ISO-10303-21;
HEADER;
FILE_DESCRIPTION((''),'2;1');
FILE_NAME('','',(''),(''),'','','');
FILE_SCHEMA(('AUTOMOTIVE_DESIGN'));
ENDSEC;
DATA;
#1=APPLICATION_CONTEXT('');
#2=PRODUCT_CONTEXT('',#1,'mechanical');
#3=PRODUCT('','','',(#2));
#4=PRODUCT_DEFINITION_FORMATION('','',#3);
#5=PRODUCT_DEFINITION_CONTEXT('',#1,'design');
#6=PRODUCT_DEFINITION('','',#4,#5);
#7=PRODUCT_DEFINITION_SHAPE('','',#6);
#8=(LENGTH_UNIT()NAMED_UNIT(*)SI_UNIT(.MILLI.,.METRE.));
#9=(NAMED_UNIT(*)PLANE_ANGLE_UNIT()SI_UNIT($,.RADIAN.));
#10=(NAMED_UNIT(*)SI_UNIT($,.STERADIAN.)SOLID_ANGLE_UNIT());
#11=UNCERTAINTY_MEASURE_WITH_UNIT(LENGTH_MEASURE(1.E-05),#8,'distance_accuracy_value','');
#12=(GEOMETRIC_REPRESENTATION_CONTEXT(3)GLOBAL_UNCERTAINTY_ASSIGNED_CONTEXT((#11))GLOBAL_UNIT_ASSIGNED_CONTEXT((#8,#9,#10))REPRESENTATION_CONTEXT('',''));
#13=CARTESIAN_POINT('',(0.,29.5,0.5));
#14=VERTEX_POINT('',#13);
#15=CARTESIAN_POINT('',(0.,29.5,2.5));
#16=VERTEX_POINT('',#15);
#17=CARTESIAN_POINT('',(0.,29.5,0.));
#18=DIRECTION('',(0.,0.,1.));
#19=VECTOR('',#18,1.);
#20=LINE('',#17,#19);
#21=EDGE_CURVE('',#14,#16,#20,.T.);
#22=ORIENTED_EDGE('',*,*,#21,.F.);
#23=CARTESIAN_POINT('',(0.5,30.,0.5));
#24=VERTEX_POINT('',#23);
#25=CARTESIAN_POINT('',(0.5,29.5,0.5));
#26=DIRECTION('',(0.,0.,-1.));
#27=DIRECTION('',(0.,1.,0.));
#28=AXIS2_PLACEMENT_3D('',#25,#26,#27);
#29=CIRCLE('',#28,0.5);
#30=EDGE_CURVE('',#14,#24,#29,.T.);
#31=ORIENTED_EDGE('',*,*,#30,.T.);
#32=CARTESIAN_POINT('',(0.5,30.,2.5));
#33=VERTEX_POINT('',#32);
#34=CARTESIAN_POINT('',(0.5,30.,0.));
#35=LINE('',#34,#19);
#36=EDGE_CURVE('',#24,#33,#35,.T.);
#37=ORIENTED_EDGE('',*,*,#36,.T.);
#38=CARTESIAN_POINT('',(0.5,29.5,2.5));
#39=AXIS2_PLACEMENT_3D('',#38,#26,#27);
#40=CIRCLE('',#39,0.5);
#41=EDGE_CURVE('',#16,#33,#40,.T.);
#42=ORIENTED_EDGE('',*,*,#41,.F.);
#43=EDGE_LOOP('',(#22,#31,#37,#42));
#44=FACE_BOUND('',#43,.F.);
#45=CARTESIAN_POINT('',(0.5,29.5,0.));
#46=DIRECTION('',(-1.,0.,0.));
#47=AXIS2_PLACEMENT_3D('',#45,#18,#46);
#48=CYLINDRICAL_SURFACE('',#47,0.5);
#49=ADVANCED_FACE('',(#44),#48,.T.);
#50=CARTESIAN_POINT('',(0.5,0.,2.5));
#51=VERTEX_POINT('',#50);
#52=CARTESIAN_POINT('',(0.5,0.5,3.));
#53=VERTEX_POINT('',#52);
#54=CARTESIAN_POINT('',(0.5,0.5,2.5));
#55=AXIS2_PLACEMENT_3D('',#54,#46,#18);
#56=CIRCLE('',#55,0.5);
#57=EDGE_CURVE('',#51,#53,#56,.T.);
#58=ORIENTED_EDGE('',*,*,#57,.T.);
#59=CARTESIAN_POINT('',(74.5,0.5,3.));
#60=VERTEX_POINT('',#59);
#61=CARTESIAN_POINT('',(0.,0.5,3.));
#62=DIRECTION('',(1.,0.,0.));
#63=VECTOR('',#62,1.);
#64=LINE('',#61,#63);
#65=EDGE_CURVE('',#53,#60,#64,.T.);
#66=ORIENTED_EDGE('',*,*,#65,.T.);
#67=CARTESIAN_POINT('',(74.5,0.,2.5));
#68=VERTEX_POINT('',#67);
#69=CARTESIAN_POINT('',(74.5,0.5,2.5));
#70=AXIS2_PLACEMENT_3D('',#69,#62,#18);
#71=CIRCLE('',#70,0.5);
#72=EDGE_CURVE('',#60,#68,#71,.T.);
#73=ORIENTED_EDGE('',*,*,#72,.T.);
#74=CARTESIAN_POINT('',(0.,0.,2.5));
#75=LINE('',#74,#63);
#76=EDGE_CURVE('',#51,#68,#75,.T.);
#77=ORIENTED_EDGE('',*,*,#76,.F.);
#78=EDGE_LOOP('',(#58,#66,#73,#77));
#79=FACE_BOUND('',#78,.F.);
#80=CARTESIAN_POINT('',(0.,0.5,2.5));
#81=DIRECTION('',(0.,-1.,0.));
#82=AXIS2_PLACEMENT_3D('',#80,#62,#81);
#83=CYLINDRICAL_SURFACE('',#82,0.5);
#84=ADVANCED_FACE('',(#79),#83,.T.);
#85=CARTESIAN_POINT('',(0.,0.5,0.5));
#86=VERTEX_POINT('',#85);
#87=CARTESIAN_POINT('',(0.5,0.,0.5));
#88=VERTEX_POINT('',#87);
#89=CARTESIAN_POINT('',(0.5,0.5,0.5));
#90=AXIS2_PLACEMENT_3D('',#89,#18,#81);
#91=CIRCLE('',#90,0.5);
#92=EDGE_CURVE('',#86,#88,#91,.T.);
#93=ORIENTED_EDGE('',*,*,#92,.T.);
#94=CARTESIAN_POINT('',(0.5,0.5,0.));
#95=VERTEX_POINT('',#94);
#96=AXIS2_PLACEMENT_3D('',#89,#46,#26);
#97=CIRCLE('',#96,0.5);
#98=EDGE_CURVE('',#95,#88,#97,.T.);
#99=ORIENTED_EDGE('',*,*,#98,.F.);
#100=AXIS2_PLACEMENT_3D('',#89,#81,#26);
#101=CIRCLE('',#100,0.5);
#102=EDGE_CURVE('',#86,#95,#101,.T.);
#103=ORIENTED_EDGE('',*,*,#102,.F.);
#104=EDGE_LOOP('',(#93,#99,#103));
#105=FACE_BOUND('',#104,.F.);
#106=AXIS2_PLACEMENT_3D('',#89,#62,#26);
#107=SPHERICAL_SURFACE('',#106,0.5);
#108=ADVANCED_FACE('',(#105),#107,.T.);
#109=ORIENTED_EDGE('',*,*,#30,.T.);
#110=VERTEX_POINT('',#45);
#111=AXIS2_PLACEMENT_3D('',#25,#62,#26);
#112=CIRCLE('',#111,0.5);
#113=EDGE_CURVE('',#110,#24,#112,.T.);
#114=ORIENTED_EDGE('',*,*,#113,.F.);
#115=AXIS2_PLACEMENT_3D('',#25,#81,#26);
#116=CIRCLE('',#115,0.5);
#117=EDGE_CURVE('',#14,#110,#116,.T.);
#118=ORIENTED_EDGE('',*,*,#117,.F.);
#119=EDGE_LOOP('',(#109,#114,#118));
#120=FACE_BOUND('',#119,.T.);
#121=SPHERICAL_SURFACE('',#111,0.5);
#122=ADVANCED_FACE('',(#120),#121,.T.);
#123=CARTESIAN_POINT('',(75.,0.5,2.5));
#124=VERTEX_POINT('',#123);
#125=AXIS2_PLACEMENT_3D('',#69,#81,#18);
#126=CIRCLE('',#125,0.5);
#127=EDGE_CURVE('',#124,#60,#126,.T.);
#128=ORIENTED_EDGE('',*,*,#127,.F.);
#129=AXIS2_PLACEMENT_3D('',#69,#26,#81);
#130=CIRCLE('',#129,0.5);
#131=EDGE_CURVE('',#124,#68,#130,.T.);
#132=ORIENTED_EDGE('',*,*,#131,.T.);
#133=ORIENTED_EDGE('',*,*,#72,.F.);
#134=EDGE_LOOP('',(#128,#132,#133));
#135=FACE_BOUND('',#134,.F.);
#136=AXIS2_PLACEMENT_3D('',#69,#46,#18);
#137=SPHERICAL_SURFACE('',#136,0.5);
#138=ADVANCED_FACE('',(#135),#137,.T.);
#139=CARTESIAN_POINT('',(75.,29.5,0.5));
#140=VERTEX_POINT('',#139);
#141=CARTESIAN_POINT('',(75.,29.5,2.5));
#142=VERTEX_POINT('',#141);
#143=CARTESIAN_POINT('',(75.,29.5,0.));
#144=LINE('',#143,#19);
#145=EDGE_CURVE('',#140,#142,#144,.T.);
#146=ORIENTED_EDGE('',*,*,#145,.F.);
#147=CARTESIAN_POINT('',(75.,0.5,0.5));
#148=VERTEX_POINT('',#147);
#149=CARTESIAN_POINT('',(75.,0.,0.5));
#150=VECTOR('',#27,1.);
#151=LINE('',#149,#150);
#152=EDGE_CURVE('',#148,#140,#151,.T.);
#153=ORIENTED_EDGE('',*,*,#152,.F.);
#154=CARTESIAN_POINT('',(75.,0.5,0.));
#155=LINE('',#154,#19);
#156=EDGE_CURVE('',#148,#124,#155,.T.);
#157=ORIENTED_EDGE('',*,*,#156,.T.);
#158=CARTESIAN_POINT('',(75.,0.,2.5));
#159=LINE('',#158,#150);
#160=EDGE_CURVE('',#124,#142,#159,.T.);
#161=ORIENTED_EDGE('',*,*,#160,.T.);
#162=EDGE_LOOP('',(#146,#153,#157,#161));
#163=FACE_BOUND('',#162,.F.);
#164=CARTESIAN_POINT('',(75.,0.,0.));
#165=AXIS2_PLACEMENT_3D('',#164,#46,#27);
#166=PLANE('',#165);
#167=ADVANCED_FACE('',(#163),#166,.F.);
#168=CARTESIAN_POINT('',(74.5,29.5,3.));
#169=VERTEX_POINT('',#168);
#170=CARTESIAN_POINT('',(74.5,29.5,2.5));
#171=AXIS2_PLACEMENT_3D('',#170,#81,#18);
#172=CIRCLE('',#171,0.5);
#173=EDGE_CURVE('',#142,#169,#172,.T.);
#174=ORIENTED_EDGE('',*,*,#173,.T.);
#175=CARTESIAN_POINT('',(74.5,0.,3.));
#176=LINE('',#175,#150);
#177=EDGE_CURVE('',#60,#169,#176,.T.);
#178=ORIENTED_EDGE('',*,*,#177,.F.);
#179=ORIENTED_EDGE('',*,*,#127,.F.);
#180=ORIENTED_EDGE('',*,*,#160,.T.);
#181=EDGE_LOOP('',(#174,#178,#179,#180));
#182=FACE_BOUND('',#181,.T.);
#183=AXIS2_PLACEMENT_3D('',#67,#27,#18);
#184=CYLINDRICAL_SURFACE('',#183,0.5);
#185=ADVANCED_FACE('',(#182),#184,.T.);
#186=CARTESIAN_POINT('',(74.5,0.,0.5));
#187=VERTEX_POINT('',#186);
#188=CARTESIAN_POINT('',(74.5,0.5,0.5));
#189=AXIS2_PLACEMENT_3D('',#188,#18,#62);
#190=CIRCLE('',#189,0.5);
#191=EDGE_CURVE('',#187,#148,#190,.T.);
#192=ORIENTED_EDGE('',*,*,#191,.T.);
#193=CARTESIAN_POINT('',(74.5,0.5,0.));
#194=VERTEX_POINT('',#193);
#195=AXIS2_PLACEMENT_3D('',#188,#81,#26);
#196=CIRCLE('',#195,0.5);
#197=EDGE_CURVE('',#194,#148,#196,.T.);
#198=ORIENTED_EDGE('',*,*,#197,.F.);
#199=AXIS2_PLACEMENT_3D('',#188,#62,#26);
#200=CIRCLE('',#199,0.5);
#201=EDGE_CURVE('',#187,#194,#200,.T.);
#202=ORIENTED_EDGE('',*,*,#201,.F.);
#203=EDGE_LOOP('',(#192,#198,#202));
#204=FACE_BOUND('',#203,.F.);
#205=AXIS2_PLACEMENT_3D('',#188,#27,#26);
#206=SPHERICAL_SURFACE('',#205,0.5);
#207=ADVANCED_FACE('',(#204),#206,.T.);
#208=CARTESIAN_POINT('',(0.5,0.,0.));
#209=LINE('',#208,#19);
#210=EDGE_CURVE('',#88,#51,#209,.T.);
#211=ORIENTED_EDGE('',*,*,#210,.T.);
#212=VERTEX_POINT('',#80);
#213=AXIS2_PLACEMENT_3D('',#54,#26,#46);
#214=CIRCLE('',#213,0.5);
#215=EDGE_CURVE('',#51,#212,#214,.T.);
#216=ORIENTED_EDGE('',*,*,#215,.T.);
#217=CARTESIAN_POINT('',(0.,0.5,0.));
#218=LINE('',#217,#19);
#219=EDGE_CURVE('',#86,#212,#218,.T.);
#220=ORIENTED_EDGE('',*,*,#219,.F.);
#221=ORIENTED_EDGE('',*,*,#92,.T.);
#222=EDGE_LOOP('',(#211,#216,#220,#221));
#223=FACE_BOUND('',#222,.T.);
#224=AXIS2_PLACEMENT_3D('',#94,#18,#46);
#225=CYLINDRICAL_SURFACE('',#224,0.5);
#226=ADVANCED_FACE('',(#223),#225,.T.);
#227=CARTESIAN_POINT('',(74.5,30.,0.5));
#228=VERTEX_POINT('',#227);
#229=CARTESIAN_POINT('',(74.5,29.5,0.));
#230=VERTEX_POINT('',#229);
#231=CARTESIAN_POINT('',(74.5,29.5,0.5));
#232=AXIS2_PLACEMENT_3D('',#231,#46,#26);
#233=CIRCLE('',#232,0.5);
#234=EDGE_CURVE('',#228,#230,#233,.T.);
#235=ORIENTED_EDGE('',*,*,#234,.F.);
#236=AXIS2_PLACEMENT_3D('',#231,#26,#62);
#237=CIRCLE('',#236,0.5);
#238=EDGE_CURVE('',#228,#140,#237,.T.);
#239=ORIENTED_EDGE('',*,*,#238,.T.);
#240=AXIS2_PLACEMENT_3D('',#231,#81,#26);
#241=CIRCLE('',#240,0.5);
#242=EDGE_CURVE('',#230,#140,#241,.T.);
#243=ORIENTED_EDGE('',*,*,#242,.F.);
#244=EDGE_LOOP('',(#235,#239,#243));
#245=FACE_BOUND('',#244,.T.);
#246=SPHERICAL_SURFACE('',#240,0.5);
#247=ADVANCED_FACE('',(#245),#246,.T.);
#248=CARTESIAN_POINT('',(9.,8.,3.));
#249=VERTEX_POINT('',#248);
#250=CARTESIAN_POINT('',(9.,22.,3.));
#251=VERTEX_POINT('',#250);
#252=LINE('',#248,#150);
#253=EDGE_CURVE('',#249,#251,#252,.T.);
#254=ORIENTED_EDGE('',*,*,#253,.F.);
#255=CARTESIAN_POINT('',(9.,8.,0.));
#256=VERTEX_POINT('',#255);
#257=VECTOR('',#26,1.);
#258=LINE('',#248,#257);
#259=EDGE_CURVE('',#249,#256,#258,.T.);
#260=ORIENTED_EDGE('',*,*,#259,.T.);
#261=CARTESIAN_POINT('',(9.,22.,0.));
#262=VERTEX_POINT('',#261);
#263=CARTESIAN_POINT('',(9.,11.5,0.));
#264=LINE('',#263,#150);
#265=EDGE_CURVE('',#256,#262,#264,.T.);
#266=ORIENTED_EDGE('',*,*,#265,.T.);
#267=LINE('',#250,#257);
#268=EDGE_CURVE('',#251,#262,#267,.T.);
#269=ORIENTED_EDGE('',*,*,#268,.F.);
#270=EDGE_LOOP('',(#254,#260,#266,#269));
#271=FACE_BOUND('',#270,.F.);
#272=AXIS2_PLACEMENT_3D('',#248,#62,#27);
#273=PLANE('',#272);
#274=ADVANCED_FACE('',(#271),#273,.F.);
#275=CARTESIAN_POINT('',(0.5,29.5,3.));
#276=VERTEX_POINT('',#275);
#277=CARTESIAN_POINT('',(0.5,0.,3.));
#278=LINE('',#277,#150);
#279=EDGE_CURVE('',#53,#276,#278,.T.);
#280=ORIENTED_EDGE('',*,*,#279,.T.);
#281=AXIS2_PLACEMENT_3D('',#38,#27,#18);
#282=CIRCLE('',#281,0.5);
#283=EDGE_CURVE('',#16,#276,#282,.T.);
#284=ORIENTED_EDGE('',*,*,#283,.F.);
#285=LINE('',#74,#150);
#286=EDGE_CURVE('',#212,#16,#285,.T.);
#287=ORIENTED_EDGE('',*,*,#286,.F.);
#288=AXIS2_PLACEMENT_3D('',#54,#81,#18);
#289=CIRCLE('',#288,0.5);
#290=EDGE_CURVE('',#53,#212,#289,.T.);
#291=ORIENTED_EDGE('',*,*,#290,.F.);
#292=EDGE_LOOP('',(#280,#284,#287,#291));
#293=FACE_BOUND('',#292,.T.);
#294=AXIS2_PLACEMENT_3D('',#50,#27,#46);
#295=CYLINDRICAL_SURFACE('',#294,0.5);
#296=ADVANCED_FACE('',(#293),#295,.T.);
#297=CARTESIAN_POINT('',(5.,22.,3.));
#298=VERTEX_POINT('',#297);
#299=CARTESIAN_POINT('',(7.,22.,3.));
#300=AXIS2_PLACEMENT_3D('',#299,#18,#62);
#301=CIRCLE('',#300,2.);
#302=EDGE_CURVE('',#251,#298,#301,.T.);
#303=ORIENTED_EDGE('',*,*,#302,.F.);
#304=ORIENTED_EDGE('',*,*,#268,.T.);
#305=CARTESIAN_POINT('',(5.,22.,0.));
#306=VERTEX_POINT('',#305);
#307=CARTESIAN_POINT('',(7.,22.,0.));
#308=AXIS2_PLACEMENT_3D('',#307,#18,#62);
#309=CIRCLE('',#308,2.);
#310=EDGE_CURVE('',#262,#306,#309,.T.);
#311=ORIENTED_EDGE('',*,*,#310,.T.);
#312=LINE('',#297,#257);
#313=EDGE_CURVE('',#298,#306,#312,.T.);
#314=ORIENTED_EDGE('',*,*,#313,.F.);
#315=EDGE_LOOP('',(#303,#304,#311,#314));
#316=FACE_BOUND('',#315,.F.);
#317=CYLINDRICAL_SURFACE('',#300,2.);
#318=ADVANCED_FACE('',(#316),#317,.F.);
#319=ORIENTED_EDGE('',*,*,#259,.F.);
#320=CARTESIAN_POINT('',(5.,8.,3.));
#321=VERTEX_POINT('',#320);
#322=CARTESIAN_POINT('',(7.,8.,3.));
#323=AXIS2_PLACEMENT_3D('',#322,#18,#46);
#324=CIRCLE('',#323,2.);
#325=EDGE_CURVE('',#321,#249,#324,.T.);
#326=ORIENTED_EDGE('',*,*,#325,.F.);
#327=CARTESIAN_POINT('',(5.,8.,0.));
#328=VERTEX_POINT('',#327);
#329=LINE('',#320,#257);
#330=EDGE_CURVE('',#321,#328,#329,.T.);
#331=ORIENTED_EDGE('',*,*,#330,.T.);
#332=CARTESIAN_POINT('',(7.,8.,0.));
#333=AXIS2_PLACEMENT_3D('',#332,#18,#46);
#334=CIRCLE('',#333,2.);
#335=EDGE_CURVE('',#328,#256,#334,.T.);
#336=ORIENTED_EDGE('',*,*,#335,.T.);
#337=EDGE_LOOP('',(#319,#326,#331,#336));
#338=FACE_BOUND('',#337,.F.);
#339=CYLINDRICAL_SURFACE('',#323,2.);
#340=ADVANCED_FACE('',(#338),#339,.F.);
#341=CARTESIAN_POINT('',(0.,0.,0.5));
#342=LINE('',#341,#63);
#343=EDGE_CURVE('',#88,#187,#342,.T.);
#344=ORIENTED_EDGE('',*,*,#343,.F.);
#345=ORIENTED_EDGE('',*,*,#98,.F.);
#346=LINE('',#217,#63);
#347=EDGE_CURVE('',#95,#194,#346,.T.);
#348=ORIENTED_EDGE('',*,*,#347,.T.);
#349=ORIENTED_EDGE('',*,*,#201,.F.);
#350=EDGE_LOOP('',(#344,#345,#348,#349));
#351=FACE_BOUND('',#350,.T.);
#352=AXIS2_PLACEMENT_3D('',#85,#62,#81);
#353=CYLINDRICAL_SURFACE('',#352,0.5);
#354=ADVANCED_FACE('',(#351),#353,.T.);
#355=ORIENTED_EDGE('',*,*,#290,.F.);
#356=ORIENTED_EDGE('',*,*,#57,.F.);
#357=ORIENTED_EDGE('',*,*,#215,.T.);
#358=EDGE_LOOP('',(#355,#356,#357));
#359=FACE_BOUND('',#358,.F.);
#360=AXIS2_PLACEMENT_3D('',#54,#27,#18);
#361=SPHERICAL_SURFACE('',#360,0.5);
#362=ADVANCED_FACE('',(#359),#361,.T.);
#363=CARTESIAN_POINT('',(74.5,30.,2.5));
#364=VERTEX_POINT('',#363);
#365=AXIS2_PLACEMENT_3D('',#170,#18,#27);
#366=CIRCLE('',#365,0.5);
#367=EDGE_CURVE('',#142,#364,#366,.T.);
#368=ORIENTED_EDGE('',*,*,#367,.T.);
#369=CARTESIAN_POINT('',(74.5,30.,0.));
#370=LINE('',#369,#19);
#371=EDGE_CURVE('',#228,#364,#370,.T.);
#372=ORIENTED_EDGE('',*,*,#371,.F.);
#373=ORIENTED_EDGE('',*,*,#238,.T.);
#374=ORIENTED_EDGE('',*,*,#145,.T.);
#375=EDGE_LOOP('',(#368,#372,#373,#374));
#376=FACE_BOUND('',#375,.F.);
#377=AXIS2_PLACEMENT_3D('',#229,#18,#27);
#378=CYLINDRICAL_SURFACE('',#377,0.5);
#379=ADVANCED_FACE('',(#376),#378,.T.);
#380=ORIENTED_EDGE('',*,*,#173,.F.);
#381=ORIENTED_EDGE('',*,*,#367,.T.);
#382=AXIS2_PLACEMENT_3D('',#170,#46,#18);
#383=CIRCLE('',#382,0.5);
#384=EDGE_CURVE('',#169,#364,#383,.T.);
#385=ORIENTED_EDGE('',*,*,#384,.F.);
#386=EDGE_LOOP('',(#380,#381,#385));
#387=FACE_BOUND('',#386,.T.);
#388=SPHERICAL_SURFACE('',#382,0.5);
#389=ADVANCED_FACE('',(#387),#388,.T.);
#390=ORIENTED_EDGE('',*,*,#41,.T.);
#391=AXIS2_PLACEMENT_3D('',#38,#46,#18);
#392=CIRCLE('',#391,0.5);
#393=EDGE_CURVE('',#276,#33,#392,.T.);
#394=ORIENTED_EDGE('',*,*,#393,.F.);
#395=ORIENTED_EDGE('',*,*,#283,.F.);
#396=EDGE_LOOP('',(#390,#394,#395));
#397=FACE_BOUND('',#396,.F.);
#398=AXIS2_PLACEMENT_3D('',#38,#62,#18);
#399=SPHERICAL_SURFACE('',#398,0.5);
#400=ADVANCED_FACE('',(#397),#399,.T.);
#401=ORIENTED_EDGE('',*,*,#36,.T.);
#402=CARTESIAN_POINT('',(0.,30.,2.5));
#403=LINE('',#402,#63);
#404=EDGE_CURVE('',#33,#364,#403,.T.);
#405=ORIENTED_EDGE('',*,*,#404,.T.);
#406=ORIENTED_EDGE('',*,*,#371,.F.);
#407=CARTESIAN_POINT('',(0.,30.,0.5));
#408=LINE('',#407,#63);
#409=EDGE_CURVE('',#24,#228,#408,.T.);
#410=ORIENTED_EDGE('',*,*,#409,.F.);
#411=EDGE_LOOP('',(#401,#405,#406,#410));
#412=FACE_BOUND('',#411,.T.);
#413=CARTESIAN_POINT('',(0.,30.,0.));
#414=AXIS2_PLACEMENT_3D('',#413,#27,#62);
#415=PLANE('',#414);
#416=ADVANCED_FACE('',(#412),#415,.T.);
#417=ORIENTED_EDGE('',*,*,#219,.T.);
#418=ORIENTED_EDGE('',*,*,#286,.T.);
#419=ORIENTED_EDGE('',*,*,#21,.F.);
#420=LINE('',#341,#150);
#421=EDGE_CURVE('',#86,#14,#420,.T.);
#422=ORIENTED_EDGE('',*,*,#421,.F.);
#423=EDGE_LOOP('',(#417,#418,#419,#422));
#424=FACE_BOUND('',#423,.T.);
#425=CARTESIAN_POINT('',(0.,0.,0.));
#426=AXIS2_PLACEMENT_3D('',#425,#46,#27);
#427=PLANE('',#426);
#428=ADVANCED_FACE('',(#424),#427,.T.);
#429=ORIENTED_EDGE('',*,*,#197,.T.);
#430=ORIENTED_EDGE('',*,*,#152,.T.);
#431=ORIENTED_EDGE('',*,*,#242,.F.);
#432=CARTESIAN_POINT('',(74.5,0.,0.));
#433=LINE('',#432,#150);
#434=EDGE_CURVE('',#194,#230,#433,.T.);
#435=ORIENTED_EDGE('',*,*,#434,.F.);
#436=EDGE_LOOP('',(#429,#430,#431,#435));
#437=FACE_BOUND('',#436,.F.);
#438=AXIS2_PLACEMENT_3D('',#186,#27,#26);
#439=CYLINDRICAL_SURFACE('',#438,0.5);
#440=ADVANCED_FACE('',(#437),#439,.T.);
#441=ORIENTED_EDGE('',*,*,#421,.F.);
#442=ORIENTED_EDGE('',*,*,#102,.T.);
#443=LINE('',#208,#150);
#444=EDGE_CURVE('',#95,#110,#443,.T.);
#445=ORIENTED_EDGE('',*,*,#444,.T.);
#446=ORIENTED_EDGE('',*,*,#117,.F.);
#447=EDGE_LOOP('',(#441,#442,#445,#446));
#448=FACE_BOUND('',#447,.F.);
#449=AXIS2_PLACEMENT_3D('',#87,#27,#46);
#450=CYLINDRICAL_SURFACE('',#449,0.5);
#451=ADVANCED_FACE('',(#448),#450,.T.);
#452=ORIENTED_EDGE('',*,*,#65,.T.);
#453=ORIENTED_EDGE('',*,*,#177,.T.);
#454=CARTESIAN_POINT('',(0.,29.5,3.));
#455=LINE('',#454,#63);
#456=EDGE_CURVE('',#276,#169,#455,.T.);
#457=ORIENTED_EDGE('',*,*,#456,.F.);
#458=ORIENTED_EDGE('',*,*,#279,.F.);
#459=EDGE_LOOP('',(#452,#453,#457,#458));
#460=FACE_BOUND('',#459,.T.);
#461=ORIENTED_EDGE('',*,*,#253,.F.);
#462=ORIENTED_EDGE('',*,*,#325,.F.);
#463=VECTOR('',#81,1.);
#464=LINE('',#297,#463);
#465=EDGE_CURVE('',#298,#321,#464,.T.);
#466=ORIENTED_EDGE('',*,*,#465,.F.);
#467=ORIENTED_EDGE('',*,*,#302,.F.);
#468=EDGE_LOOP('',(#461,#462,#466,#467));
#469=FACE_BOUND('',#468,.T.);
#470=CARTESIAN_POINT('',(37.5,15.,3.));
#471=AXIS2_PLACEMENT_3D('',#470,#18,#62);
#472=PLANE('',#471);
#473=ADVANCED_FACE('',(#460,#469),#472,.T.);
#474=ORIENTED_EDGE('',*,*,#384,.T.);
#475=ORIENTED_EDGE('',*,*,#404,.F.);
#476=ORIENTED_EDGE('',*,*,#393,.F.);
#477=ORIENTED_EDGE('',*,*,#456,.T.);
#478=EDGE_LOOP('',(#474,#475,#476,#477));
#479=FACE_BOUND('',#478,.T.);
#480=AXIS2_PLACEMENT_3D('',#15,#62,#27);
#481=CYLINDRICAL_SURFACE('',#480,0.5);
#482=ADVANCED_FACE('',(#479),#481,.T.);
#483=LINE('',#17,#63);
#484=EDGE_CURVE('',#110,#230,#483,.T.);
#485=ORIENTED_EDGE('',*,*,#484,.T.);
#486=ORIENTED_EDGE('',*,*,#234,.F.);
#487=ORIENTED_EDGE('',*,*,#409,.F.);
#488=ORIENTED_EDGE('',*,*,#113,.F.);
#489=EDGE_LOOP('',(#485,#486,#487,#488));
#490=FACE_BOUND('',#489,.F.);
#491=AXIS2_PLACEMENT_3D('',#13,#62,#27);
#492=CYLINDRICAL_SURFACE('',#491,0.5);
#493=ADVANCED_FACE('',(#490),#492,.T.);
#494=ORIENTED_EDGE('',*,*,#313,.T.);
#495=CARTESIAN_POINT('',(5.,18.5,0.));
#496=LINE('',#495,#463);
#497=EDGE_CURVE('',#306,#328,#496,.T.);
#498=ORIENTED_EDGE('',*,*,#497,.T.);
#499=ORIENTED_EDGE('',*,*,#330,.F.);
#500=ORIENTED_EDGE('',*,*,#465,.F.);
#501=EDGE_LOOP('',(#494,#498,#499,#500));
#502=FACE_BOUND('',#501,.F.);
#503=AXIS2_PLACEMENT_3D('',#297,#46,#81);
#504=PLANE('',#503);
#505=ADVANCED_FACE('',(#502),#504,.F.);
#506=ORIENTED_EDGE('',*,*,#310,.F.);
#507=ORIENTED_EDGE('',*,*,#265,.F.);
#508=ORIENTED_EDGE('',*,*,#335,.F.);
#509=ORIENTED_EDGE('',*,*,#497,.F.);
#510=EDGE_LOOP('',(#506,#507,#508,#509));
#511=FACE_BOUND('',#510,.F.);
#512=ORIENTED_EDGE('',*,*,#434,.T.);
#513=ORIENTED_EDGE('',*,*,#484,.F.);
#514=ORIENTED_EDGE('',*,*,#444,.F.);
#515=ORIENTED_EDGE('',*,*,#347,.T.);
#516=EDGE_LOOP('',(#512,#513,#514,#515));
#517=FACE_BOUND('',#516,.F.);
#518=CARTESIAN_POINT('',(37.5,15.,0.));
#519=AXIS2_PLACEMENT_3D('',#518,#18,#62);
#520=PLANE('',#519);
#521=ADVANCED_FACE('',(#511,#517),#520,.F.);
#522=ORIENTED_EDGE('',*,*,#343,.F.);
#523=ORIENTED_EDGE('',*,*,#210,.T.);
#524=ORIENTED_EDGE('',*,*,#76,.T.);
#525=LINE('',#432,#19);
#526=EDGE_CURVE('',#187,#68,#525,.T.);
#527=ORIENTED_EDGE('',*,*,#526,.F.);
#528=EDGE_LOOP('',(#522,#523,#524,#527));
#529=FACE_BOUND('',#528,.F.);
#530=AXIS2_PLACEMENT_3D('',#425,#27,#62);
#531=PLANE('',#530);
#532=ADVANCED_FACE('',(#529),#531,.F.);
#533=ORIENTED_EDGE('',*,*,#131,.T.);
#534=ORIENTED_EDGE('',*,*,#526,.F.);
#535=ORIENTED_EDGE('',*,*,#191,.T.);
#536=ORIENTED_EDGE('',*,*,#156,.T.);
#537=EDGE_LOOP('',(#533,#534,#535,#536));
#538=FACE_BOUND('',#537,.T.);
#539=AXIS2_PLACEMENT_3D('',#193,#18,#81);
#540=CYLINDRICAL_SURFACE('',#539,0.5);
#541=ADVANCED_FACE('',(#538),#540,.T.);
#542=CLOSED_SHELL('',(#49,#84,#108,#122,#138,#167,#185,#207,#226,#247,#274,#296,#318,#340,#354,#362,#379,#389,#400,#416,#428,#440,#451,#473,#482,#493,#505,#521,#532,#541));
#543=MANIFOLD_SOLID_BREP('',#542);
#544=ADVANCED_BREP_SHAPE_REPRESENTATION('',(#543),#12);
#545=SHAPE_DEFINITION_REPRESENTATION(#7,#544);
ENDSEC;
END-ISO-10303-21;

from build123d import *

# Parameters (mm, degrees)
F0_W     = 75
F0_H     = 30
F1_DEPTH = 3
F2_W     = 4
F2_H     = 7
F3_DEPTH = 25
F4_R     = 0.5


with BuildPart() as f1:
    # F0 (on Top) → F1 (new body)
    with BuildSketch(Plane.XY):
        with Locations((37.5, 15)):
            Rectangle(F0_W, F0_H)
    extrude(amount=F1_DEPTH)

    # F2 (on face) → F3 (cut)
    with BuildSketch(Plane.XY.offset(3)):
        with BuildLine():
            Line((5, 22), (5, 15))
            Line((5, 15), (9, 15))
            Line((9, 15), (9, 22))
            ThreePointArc((9, 22), (7, 24), (5, 22))
        make_face()
        with Locations((7, 11.5)):
            Rectangle(F2_W, F2_H)
        with BuildLine():
            Line((9, 8), (5, 8))
            ThreePointArc((5, 8), (7, 6), (9, 8))
        make_face()
    extrude(amount=-F3_DEPTH, mode=Mode.SUBTRACT)

    # F4
    f4_edges = [f1.edges().sort_by_distance(p)[0] for p in [
        (37.5, 30, 3),
        (0, 15, 3),
        (37.5, 0, 3),
        (75, 15, 3),
        (75, 15, 0),
        (37.5, 0, 0),
        (37.5, 30, 0),
        (0, 15, 0),
        (75, 0, 1.5),
        (75, 30, 1.5),
        (0, 30, 1.5),
        (0, 0, 1.5),
    ]]
    fillet(f4_edges, radius=F4_R)


solid = f1.part
